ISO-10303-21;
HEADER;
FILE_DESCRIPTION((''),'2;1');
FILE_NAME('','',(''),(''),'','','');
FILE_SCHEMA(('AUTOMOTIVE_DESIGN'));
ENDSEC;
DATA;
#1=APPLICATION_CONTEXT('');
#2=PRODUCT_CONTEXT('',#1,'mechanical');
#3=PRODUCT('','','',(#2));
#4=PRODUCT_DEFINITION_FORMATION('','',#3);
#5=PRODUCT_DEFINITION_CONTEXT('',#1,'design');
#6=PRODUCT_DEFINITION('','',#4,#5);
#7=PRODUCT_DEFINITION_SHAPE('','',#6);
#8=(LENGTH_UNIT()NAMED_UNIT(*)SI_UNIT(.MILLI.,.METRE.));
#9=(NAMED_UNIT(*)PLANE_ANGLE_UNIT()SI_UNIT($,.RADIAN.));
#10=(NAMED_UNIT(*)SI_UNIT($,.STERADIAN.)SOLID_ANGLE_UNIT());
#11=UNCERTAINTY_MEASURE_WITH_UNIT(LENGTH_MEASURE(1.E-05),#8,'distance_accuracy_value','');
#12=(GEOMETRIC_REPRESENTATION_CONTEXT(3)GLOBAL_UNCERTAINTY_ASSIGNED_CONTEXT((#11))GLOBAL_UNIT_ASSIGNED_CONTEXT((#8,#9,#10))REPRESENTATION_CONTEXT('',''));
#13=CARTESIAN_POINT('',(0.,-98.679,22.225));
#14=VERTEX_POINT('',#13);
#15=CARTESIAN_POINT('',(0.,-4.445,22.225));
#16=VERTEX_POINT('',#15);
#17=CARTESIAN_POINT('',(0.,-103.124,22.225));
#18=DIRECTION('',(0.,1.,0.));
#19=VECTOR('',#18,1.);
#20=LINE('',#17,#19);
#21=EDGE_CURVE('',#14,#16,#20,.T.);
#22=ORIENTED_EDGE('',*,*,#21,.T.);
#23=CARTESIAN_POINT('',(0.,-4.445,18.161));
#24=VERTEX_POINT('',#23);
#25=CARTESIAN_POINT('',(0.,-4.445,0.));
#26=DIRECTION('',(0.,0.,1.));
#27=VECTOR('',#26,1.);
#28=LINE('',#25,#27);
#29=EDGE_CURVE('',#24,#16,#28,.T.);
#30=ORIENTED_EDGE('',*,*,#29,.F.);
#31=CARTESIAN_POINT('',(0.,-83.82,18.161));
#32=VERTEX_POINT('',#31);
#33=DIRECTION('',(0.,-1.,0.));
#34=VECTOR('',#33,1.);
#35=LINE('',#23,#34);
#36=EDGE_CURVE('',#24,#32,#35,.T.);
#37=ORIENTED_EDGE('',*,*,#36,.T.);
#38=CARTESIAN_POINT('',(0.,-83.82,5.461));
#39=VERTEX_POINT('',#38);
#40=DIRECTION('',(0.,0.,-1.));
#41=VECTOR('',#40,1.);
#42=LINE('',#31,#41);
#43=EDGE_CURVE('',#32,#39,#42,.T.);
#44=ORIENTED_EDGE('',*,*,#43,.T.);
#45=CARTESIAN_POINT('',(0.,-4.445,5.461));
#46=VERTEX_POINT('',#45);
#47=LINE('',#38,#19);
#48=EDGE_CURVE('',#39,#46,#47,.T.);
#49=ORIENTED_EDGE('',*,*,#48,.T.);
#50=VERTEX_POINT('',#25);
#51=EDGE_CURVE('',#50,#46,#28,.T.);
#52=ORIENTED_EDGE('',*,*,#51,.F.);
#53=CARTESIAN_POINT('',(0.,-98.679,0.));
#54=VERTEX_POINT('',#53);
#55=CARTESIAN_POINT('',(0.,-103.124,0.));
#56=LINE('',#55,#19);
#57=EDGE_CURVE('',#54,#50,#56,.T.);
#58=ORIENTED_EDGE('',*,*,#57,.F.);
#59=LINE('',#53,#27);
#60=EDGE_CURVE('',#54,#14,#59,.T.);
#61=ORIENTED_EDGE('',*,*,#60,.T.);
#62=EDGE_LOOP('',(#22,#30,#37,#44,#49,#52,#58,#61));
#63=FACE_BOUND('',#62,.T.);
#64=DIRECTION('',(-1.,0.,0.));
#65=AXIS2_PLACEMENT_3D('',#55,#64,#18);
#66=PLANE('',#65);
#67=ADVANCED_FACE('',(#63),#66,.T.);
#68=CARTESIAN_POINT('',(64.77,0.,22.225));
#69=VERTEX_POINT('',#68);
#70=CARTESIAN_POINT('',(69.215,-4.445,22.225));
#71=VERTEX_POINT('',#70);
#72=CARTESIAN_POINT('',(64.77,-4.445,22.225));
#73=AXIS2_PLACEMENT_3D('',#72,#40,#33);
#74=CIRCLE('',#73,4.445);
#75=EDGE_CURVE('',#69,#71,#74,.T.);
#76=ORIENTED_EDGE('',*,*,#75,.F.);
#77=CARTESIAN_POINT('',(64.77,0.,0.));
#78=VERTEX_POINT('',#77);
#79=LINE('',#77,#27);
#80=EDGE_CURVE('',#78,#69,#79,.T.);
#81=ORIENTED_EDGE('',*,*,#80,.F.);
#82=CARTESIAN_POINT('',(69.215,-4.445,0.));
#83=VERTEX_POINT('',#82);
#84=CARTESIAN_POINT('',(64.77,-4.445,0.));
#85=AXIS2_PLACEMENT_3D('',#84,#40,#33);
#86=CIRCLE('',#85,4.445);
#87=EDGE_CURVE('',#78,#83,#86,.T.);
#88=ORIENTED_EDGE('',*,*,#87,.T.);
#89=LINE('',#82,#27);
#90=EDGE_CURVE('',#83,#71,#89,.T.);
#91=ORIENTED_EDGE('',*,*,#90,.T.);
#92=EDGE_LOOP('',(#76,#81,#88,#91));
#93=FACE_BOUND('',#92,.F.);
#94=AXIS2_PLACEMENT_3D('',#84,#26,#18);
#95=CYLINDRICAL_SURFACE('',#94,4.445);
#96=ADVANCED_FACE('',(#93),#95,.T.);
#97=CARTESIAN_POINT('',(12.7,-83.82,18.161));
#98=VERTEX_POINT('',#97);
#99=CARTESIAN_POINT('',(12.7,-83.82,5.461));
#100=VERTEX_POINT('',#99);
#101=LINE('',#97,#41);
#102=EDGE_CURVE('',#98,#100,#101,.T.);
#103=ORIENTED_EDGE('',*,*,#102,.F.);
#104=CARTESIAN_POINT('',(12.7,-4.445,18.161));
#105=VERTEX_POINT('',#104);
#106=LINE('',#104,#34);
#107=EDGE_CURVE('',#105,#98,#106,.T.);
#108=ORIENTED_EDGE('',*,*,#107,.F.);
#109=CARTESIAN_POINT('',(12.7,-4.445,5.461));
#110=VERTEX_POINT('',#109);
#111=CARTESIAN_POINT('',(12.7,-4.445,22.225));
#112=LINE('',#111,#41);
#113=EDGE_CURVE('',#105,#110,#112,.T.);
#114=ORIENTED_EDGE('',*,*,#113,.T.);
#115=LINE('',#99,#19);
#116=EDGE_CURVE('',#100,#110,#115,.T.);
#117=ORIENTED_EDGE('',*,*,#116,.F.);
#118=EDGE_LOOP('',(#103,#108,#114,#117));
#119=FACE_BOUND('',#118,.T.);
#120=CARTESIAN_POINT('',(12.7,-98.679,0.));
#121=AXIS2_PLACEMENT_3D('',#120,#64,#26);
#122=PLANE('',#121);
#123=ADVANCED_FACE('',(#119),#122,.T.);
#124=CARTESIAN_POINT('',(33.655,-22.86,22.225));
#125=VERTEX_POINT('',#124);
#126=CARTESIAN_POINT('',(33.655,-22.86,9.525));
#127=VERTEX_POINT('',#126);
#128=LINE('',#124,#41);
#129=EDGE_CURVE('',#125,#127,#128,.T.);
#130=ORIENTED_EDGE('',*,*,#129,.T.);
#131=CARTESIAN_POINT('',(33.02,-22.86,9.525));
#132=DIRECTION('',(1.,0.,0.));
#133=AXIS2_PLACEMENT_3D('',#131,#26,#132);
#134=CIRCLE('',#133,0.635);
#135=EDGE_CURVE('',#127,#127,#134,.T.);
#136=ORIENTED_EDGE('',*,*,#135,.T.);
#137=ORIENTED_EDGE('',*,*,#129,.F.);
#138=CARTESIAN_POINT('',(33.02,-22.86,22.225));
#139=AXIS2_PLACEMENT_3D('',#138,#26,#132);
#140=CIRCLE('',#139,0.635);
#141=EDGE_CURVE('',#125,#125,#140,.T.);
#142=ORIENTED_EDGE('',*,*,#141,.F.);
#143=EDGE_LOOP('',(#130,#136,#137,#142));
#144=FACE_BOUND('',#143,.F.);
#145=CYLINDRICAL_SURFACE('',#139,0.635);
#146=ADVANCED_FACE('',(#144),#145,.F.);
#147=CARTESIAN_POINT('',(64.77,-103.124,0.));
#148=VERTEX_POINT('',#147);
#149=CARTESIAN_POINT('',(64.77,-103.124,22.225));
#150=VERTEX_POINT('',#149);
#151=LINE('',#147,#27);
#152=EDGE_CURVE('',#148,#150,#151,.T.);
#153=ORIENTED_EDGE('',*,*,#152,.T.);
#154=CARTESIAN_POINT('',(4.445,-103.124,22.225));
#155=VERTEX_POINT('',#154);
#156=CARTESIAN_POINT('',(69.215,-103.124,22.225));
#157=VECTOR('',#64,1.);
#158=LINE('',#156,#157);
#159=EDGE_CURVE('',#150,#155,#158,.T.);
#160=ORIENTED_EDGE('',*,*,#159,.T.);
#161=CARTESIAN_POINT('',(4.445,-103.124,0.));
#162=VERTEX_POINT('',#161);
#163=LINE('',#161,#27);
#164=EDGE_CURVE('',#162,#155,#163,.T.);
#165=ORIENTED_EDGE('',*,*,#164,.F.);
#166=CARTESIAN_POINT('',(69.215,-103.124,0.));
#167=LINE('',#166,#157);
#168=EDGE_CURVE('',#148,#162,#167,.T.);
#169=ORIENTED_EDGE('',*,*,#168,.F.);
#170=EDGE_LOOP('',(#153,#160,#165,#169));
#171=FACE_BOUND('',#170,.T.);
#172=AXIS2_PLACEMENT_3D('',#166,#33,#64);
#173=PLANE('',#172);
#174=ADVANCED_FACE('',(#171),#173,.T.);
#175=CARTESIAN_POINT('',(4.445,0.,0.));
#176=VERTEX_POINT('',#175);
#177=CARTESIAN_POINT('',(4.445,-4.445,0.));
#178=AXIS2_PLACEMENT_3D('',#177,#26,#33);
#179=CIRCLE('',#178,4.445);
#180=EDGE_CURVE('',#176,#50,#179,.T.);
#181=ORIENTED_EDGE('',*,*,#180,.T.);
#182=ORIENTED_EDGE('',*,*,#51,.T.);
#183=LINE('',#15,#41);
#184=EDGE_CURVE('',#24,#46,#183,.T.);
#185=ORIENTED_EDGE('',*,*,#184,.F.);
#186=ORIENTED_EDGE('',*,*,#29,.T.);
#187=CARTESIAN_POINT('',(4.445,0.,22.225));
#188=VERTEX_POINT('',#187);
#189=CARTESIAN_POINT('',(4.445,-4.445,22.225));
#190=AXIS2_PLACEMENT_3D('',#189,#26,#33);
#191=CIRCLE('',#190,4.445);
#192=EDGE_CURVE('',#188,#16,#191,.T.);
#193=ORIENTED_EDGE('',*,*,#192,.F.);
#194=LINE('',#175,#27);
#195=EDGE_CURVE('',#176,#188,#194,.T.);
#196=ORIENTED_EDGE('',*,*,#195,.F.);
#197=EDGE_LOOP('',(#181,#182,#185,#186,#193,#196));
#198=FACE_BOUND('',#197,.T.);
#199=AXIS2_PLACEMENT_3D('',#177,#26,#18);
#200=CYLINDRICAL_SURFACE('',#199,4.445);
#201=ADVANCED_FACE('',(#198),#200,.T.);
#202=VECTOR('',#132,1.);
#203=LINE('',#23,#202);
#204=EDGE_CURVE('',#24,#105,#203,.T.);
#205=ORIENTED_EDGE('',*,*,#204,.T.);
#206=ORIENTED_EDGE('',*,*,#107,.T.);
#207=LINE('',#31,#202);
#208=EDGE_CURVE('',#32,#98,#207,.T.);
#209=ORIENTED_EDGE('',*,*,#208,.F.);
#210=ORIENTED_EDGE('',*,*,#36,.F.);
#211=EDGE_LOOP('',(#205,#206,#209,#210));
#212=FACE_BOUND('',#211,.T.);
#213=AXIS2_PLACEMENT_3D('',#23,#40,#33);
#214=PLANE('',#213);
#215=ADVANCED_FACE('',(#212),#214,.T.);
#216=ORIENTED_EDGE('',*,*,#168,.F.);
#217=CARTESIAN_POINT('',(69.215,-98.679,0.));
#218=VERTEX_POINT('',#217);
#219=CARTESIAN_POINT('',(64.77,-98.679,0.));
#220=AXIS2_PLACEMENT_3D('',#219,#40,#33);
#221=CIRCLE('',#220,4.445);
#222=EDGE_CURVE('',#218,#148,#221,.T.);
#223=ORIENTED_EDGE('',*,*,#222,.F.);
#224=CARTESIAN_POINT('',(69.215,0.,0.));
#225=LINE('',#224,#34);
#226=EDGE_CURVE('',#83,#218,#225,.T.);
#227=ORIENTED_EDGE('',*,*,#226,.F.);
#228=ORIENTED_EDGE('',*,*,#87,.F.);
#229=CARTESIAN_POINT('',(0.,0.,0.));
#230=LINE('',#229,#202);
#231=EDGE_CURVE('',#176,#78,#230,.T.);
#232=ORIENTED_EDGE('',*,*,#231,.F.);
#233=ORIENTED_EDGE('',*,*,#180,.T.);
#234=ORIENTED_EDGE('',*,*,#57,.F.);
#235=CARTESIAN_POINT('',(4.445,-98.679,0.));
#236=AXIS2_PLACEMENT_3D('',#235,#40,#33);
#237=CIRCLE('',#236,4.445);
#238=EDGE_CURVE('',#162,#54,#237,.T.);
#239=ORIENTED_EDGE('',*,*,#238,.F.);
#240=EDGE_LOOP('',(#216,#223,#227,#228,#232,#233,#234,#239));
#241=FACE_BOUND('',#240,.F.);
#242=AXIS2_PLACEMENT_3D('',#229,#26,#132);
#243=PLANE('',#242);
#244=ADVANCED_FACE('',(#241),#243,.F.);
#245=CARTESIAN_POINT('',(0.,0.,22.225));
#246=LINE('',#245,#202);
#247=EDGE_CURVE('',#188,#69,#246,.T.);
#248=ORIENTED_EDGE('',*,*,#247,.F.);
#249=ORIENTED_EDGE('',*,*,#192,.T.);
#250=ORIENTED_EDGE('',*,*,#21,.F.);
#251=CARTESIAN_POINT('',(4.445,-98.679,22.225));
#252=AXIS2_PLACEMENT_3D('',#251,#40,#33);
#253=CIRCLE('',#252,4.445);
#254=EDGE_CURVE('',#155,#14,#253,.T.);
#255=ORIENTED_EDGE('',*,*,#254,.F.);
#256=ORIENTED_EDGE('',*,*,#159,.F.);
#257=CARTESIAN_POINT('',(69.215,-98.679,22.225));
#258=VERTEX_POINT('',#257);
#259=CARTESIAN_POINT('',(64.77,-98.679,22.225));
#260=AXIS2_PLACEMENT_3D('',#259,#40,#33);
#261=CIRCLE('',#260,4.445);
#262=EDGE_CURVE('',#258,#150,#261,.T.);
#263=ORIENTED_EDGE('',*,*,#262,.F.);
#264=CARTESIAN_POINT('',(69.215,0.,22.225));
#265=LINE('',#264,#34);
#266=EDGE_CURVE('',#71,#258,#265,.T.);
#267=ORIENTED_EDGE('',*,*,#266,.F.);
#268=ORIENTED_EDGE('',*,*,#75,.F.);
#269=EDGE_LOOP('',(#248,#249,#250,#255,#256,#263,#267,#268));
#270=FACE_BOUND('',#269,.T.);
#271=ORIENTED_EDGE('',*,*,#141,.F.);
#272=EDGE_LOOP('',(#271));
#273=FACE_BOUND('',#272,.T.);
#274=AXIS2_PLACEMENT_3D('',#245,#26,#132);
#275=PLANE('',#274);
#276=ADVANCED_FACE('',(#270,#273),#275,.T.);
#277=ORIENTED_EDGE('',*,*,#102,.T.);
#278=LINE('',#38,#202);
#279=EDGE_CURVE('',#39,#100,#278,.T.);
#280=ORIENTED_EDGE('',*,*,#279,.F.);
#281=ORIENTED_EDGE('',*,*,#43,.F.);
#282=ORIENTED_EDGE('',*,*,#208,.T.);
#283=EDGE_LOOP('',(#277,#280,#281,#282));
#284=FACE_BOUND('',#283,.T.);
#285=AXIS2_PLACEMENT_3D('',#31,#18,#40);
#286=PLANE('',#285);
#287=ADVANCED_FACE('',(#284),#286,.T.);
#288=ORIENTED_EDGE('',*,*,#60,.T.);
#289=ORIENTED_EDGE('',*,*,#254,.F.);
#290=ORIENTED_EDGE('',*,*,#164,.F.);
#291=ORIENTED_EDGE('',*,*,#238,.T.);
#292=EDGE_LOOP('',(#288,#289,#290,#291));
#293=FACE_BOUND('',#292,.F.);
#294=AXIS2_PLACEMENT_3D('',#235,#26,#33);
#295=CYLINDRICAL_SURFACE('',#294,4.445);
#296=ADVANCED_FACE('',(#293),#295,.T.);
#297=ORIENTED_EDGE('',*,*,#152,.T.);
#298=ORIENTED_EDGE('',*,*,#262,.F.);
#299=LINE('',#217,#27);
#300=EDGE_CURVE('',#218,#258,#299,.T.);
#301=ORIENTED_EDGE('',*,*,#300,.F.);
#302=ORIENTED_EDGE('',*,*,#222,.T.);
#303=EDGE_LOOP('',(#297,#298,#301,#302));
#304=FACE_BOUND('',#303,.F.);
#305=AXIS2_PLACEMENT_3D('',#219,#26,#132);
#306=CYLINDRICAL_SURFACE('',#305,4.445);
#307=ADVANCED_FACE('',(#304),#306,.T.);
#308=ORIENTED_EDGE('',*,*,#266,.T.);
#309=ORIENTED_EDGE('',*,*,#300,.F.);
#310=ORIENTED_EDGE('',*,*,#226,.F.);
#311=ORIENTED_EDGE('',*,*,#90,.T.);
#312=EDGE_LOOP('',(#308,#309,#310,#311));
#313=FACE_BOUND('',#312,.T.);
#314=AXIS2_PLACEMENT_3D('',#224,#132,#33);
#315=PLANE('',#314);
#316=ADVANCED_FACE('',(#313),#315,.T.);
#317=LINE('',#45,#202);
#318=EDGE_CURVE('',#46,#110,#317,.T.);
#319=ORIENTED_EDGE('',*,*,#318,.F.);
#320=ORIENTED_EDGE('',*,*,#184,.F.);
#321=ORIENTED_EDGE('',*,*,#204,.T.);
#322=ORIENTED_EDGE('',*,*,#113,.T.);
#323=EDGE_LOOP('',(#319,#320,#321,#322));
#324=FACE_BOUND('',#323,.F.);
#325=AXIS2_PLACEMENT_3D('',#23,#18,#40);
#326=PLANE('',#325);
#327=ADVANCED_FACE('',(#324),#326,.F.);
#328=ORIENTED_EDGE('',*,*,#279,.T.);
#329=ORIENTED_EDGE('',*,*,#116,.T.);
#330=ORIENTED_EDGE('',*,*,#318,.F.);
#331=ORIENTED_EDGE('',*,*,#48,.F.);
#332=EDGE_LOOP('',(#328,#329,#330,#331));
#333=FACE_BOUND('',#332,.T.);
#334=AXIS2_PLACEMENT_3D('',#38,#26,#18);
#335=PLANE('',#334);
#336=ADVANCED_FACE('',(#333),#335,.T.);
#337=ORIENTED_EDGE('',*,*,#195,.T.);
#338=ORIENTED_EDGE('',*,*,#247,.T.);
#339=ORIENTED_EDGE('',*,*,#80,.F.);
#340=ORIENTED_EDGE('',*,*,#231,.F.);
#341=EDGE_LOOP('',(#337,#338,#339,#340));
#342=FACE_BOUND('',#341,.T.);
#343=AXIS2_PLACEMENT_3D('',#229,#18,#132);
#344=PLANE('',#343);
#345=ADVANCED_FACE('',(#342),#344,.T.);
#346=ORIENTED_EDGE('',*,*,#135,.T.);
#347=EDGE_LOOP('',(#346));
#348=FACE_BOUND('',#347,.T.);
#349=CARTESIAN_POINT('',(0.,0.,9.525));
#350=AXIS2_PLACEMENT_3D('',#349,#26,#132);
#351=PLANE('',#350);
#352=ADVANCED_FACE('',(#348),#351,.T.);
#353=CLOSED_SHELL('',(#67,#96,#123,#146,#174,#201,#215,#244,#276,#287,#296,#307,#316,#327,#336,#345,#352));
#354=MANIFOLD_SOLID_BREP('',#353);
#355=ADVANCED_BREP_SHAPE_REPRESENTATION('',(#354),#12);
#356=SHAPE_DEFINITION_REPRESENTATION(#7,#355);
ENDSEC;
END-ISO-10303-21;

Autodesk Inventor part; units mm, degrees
ref_plane "YZ Plane" through (0, 0, 0) normal (1, 0, 0) x (0, 1, 0)
ref_plane "XZ Plane" through (0, 0, 0) normal (0, 1, 0) x (-1, 0, 0)
ref_plane "XY Plane" through (0, 0, 0) normal (0, 0, 1) x (1, 0, 0)
sketch "Sketch1" plane through (0, 0, 0) normal (0, 0, 1) x (1, 0, 0)
  line L0 (0, 0) -> (69.215, 0)
  line L1 (69.215, 0) -> (69.215, -103.124)
  line L2 (69.215, -103.124) -> (0, -103.124)
  line L3 (0, -103.124) -> (0, 0)
  dimension "d0" = 69.215
  dimension "d1" = 103.124
extrude "Extrusion1" add sketch "Sketch1" along normal blind 22.225
fillet "Fillet1" radius 4.445 3 edges at (0, 0, 11.1125) (69.215, 0, 11.1125) (0, -103.124, 11.1125)
fillet "Fillet2" radius 4.445 1 edges at (69.215, -103.124, 11.1125)
sketch "Sketch2" plane through (0, -98.679, 0) normal (-1, 0, 0) x (0, 0, 1)
  line L0 (0, 0) -> (0, 94.234) projected
  line L1 (22.225, 94.234) -> (0, 94.234) projected
  line L2 (0, 98.679) -> (22.225, 98.679) projected
  line L3 (5.461, 94.234) -> (18.161, 94.234)
  line L4 (18.161, 94.234) -> (18.161, 14.859)
  line L5 (18.161, 14.859) -> (5.461, 14.859)
  line L6 (5.461, 14.859) -> (5.461, 94.234)
  dimension "d8" = 12.7
  dimension "d9" = 79.375
extrude "Extrusion2" cut sketch "Sketch2" against normal blind 12.7
sketch "Sketch3" plane through (0, 0, 22.225) normal (0, 0, 1) x (1, 0, 0)
  line L0 (64.77, 0) -> (4.445, 0) projected
  circle A0 centre (33.02, -22.86) radius 0.635
  point P0 (0, 0)
extrude "Extrusion3" cut sketch "Sketch3" against normal blind 12.7
properties part number "Ethernet switch" material "Acetal Resin, White"
